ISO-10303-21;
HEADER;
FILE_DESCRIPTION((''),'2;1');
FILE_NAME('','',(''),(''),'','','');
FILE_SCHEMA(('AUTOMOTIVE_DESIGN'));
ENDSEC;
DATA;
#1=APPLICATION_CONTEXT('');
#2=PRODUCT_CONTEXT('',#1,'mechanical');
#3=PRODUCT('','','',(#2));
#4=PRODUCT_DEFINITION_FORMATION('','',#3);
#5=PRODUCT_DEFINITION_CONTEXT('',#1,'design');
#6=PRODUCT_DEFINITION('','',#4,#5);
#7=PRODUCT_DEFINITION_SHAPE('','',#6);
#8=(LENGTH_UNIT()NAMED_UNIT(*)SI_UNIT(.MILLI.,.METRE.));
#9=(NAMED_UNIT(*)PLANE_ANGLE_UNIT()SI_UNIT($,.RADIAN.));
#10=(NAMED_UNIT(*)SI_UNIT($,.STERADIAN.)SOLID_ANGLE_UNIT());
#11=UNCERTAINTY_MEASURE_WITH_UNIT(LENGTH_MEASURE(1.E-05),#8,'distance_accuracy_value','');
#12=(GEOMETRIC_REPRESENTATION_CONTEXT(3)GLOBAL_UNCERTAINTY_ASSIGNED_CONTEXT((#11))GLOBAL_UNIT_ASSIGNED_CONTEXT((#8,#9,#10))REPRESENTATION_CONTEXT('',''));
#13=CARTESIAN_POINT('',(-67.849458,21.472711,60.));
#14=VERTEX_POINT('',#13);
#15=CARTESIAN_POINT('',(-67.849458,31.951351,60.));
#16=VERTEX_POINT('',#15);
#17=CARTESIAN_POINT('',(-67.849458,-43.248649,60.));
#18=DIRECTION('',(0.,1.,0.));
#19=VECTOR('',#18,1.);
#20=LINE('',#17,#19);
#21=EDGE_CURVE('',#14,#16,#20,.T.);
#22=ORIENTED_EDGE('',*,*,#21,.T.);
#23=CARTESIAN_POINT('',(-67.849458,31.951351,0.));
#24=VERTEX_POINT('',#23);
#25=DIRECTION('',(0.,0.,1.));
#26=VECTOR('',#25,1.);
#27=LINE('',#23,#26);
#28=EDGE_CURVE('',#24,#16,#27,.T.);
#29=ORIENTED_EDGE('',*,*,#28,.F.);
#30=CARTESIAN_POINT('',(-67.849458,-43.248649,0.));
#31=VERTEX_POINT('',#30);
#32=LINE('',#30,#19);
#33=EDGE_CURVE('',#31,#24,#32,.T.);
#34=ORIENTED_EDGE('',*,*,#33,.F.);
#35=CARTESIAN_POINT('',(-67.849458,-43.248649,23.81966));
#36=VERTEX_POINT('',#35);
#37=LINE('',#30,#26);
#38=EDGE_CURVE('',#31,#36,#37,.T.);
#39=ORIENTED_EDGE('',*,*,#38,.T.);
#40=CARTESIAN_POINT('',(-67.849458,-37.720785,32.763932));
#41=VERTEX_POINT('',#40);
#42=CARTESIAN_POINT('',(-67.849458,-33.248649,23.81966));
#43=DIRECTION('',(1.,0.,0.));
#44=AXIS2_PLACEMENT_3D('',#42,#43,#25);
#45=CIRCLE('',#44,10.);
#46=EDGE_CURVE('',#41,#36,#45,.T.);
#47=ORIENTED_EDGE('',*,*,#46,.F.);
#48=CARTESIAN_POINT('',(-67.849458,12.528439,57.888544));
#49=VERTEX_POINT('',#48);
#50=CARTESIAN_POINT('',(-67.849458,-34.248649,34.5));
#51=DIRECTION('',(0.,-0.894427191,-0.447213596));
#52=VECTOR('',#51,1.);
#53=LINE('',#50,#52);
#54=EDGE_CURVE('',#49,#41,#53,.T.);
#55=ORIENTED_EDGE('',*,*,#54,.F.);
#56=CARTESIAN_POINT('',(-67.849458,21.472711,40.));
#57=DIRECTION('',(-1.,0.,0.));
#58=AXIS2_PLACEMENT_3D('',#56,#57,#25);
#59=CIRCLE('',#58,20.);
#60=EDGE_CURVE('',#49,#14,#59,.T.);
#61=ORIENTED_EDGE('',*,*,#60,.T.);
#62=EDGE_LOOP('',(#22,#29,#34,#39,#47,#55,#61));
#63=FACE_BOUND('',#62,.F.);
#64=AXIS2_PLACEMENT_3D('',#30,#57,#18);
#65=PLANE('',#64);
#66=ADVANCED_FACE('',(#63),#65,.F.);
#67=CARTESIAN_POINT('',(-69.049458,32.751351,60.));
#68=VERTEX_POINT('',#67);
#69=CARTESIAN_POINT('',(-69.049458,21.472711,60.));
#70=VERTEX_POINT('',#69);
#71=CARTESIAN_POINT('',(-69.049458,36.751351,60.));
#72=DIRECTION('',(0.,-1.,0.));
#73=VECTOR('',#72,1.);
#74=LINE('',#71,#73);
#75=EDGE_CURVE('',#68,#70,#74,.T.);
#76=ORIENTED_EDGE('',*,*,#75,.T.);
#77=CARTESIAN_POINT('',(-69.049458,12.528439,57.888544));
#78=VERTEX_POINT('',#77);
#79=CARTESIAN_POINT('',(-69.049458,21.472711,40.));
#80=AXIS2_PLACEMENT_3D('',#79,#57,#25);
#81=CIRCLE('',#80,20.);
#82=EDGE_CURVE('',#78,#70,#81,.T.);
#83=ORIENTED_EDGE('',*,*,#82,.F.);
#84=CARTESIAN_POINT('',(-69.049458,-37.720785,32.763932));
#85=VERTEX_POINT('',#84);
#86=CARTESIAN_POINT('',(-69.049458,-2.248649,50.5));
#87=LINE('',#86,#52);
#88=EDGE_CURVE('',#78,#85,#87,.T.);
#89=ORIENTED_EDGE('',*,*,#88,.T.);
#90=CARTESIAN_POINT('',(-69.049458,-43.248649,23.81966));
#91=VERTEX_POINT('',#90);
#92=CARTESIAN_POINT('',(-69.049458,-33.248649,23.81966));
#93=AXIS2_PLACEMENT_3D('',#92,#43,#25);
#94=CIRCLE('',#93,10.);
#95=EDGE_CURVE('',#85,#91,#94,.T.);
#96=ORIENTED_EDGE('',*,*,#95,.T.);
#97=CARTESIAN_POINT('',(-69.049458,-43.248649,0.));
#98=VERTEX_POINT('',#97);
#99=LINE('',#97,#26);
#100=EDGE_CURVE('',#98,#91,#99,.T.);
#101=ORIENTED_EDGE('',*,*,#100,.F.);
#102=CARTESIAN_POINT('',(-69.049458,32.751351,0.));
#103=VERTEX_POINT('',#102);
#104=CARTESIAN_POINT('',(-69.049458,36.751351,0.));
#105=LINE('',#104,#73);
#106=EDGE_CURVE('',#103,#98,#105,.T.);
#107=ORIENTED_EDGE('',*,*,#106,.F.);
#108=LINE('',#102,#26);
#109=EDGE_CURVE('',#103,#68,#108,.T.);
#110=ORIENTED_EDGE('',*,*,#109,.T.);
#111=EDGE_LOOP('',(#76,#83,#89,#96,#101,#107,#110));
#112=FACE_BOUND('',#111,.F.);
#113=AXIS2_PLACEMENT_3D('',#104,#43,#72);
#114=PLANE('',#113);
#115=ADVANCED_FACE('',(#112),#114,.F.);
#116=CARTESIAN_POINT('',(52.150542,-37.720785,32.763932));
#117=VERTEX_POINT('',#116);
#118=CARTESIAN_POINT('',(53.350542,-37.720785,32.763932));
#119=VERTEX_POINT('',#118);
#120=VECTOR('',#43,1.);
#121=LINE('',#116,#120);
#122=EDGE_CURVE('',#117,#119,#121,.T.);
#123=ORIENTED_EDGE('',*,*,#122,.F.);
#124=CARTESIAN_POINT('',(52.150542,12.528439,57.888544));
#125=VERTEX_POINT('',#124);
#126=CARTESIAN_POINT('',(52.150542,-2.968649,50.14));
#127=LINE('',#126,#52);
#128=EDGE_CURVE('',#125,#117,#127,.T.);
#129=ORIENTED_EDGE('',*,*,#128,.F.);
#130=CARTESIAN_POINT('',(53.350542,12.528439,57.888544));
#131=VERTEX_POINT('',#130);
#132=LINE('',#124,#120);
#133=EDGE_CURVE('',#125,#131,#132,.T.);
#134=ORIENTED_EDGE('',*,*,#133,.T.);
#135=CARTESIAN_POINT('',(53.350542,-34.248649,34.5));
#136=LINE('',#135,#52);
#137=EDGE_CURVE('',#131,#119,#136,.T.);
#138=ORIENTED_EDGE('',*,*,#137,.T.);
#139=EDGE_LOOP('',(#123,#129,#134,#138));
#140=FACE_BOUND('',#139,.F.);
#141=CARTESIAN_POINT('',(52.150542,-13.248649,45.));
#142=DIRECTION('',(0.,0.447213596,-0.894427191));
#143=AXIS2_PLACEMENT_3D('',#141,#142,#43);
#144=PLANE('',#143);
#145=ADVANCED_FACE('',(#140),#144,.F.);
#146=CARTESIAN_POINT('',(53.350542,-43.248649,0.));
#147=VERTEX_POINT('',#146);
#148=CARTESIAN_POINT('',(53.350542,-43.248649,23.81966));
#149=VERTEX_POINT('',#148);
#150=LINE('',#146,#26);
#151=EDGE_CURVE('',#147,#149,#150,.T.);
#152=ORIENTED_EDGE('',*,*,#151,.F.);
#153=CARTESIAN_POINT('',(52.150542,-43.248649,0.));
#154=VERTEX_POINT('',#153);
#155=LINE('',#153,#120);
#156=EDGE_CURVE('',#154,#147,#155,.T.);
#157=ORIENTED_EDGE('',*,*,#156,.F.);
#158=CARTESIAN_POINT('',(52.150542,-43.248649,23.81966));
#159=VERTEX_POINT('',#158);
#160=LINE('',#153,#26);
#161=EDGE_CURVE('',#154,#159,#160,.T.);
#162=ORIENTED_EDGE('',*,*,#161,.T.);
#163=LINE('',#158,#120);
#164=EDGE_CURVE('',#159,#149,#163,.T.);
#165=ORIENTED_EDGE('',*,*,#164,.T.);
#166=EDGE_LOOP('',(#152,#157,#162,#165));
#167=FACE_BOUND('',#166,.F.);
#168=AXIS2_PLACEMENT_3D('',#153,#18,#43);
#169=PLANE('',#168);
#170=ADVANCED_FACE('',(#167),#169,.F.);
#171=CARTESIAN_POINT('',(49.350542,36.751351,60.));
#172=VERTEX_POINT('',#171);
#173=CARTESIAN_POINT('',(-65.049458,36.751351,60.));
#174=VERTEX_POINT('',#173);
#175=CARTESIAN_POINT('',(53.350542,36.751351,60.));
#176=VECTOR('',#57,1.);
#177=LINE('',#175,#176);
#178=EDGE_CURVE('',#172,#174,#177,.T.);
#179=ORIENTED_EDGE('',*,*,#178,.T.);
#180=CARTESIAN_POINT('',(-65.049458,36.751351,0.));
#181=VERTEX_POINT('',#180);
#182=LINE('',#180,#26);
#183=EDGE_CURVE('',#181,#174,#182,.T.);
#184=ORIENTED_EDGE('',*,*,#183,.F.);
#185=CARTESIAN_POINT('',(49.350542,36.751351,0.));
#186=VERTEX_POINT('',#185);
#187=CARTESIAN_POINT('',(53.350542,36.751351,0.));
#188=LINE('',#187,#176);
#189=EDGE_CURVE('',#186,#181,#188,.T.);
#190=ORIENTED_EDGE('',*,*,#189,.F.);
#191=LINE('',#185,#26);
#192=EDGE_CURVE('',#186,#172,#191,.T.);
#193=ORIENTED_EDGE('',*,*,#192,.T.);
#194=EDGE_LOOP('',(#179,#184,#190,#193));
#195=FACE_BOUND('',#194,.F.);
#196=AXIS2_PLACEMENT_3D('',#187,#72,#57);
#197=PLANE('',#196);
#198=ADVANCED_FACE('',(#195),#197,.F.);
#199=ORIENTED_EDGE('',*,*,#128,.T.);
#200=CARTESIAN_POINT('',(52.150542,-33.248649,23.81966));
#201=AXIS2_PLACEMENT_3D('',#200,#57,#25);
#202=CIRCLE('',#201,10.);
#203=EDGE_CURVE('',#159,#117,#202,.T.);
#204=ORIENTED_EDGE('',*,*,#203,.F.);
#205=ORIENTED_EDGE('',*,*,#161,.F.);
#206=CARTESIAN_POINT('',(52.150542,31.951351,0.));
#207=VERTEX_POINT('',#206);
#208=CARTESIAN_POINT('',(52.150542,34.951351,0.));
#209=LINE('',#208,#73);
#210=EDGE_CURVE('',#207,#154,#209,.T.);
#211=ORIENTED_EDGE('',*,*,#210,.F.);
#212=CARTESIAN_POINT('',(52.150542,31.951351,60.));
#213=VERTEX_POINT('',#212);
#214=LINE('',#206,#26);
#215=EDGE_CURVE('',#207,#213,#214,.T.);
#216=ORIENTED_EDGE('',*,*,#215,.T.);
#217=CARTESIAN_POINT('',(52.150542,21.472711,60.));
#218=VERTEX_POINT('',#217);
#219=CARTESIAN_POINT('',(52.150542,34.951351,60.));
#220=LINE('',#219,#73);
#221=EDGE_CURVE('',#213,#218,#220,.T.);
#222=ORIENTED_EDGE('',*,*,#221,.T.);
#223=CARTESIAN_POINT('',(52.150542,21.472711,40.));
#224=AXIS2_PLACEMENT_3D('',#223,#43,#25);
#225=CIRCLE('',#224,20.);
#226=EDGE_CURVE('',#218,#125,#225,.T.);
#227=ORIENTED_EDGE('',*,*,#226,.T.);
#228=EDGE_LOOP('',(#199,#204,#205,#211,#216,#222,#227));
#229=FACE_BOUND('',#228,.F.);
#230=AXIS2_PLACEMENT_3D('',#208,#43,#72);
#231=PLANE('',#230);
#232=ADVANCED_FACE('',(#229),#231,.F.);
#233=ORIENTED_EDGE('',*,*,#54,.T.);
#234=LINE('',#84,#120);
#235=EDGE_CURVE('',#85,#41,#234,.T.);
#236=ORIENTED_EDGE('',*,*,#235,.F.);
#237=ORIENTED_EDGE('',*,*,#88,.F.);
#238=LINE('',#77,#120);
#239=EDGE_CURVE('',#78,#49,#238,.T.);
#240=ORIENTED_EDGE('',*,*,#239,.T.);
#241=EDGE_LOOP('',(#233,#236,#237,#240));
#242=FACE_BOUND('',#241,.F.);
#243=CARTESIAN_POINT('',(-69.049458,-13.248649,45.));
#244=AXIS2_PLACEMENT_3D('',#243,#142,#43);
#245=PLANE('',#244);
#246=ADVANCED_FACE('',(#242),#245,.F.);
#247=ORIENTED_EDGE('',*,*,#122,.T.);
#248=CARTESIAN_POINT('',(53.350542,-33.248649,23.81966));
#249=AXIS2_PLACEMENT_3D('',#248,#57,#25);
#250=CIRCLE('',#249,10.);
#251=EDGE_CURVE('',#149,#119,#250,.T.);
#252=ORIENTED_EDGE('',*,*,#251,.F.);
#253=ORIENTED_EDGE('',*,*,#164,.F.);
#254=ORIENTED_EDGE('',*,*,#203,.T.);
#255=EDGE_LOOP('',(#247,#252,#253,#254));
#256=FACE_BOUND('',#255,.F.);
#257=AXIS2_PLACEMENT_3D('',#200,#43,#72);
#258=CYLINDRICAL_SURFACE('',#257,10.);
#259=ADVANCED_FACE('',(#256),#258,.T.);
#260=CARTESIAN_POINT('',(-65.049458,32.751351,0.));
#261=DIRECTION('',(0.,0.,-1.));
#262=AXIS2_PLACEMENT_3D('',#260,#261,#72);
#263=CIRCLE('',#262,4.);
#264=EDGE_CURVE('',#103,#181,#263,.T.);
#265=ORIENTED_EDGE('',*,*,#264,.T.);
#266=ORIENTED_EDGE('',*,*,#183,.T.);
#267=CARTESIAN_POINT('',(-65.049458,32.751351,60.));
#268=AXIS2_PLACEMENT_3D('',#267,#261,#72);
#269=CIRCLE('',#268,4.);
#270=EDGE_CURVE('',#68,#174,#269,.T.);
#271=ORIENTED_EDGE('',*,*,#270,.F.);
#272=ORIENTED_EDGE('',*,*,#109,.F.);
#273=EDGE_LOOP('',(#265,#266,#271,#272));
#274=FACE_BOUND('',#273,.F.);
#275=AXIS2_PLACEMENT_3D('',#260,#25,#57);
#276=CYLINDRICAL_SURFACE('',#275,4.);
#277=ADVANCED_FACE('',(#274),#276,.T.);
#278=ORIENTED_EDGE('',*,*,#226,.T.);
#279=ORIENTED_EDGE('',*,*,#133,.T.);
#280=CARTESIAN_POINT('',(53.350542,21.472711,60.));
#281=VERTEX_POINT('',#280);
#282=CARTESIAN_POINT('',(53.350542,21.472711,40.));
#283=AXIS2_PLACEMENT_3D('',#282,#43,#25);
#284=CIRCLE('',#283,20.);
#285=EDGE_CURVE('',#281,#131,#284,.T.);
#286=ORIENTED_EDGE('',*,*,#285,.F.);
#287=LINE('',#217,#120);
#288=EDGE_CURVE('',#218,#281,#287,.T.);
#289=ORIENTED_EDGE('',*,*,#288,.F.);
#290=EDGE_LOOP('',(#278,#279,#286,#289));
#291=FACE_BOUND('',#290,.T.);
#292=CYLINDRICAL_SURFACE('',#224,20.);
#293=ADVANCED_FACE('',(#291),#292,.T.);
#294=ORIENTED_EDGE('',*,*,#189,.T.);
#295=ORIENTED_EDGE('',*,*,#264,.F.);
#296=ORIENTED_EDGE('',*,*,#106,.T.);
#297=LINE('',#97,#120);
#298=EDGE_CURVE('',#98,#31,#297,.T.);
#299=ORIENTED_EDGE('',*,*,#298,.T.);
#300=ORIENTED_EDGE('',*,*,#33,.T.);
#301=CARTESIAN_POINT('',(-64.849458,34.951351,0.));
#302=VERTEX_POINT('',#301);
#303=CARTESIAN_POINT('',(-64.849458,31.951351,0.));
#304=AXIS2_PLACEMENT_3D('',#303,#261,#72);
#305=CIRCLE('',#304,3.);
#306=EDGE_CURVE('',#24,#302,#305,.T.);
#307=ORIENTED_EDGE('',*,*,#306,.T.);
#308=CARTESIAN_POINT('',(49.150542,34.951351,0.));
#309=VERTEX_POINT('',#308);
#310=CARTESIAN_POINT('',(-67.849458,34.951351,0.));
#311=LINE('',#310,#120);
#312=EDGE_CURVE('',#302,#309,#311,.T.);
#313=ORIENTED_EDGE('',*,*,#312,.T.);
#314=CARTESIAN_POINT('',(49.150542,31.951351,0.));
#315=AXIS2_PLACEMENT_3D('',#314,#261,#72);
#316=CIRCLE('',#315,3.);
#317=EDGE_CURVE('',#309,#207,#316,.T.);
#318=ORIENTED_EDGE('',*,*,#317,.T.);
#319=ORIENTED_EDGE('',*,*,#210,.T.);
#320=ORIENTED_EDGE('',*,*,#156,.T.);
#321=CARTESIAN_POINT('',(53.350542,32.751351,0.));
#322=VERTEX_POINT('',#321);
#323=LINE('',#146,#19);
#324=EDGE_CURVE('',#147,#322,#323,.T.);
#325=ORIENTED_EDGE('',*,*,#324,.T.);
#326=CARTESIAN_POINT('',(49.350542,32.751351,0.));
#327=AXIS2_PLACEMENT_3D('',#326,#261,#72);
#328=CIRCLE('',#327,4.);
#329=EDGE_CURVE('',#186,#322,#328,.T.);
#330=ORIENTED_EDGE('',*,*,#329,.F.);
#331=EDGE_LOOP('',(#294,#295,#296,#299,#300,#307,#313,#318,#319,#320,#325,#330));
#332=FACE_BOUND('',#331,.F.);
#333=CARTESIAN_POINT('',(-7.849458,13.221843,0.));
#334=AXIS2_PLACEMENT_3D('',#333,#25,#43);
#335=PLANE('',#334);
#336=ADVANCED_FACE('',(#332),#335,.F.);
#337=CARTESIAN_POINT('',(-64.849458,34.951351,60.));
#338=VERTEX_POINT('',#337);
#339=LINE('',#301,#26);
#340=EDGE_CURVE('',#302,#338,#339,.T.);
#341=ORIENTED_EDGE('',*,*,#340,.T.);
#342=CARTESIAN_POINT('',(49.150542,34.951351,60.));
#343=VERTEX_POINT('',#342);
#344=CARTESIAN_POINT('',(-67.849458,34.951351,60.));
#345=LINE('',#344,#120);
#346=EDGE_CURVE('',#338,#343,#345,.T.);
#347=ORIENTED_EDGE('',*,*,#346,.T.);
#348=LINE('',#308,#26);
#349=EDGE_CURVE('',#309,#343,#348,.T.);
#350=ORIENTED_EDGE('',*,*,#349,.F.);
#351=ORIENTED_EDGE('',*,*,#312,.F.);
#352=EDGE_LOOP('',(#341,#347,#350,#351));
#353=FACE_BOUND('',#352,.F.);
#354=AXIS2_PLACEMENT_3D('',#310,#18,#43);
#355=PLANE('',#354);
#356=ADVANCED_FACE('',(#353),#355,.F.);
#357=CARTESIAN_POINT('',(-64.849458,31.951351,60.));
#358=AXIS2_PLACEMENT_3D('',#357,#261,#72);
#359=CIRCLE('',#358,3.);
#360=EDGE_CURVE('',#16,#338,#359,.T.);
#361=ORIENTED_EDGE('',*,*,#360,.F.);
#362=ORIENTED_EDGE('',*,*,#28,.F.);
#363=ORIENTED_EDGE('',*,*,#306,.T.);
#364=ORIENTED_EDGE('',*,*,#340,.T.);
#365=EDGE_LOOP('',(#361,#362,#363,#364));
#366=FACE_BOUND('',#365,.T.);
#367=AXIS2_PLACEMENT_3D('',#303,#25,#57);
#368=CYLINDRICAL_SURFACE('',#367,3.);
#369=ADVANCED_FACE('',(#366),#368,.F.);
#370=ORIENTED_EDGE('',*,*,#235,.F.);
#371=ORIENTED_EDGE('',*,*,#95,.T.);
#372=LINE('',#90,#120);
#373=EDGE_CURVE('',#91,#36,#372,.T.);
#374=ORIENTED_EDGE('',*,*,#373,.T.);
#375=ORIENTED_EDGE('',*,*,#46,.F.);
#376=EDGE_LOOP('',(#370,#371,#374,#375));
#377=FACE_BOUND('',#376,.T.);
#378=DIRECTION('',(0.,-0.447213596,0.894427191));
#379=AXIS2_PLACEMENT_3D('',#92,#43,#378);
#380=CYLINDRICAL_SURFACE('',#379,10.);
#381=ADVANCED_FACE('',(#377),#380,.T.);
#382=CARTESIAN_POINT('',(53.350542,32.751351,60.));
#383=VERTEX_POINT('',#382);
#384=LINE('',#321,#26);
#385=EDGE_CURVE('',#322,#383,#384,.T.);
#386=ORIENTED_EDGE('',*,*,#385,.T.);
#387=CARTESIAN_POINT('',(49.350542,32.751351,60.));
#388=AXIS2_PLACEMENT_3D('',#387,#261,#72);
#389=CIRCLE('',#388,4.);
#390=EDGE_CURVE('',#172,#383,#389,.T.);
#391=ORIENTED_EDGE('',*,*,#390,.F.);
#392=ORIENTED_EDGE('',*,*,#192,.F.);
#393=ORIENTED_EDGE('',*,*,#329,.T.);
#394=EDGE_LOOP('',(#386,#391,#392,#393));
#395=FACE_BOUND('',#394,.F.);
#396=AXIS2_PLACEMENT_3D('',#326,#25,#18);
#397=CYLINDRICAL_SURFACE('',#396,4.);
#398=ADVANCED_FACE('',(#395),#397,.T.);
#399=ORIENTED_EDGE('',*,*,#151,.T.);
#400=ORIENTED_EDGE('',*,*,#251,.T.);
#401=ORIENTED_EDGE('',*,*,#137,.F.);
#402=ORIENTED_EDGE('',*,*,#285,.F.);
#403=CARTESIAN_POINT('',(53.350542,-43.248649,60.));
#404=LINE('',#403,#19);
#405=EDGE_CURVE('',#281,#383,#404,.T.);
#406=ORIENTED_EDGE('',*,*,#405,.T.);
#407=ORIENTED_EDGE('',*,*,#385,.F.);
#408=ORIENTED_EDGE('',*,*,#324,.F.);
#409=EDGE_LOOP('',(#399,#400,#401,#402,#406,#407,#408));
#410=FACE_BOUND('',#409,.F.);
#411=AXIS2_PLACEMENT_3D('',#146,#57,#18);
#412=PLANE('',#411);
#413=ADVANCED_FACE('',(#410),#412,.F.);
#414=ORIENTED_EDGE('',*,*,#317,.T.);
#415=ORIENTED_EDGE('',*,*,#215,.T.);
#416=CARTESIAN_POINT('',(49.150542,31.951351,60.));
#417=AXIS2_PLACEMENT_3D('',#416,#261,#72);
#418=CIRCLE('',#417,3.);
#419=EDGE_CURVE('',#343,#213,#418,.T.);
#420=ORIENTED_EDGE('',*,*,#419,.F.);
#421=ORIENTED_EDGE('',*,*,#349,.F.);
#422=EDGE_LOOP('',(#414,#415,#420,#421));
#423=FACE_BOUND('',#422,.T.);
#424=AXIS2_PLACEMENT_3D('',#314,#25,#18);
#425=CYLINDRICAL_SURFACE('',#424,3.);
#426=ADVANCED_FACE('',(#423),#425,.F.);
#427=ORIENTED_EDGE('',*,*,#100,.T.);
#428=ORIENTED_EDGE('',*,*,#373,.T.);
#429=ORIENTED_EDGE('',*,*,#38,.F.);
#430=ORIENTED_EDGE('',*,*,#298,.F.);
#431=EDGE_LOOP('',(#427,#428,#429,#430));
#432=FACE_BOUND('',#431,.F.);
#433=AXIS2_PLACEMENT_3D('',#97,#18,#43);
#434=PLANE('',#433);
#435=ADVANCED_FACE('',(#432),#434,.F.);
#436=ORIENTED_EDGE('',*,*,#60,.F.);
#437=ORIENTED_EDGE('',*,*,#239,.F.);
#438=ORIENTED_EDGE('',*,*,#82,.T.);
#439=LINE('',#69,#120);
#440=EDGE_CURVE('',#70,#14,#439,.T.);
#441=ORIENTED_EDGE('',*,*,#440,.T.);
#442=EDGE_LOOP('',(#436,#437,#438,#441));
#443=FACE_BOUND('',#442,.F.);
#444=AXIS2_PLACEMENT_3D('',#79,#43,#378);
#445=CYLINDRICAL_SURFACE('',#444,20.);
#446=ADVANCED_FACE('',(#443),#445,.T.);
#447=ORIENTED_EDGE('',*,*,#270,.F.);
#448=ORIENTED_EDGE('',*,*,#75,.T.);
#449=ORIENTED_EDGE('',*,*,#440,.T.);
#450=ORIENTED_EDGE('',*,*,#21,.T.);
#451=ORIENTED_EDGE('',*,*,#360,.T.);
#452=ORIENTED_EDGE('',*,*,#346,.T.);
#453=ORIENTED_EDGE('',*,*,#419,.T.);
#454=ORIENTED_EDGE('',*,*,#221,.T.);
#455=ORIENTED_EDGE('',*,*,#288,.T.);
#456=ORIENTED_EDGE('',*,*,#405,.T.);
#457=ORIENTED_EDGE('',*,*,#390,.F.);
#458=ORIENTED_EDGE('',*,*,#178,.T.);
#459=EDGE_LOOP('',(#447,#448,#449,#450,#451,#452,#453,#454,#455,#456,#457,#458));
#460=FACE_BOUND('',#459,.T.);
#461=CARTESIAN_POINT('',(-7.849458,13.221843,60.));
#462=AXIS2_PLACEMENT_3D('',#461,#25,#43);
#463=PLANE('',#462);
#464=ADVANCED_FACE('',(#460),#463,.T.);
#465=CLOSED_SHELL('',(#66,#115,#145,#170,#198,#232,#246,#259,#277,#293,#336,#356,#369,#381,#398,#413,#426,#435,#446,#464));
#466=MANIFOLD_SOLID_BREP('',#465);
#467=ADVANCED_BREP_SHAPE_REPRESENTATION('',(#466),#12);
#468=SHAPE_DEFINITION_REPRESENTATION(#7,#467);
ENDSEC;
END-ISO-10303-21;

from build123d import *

# Parameters (mm, degrees)
F1_DEPTH = 60
F2_SIZE2 = 30
F2_SIZE  = 60
F3_R     = 20
F4_R     = 10
F5_R     = 3
F6_R     = 4


with BuildPart() as f1:
    # F0 (on Top) → F1 (new body)
    with BuildSketch(Plane.XY):
        Polygon((-69.0494580577, 36.7513514241), (-69.0494580577, -43.2486485759), (-67.8494580577, -43.2486485759), (-67.8494580577, 34.9513514241), (52.1505419423, 34.9513514241), (52.1505419423, -43.2486485759), (53.3505419423, -43.2486485759), (53.3505419423, 36.7513514241), align=None)
    extrude(amount=F1_DEPTH)

    # F2
    f2_edges = [f1.edges().sort_by_distance(p)[0] for p in [
        (-68.449458, -43.248649, 60),
        (52.750542, -43.248649, 60),
    ]]
    f2_side = f1.faces().sort_by_distance((-68.903233, -3.248649, 60))[0]
    chamfer(f2_edges, length=F2_SIZE, length2=F2_SIZE2, reference=f2_side)

    # F3
    f3_edges = [f1.edges().sort_by_distance(p)[0] for p in [
        (-68.449458, 16.751351, 60),
        (52.750542, 16.751351, 60),
    ]]
    fillet(f3_edges, radius=F3_R)

    # F4
    f4_edges = [f1.edges().sort_by_distance(p)[0] for p in [
        (-68.449458, -43.248649, 30),
        (52.750542, -43.248649, 30),
    ]]
    fillet(f4_edges, radius=F4_R)

    # F5
    f5_edges = [f1.edges().sort_by_distance(p)[0] for p in [
        (-67.849458, 34.951351, 30),
        (52.150542, 34.951351, 30),
    ]]
    fillet(f5_edges, radius=F5_R)

    # F6
    f6_edges = [f1.edges().sort_by_distance(p)[0] for p in [
        (53.350542, 36.751351, 30),
        (-69.049458, 36.751351, 30),
    ]]
    fillet(f6_edges, radius=F6_R)


solid = f1.part
